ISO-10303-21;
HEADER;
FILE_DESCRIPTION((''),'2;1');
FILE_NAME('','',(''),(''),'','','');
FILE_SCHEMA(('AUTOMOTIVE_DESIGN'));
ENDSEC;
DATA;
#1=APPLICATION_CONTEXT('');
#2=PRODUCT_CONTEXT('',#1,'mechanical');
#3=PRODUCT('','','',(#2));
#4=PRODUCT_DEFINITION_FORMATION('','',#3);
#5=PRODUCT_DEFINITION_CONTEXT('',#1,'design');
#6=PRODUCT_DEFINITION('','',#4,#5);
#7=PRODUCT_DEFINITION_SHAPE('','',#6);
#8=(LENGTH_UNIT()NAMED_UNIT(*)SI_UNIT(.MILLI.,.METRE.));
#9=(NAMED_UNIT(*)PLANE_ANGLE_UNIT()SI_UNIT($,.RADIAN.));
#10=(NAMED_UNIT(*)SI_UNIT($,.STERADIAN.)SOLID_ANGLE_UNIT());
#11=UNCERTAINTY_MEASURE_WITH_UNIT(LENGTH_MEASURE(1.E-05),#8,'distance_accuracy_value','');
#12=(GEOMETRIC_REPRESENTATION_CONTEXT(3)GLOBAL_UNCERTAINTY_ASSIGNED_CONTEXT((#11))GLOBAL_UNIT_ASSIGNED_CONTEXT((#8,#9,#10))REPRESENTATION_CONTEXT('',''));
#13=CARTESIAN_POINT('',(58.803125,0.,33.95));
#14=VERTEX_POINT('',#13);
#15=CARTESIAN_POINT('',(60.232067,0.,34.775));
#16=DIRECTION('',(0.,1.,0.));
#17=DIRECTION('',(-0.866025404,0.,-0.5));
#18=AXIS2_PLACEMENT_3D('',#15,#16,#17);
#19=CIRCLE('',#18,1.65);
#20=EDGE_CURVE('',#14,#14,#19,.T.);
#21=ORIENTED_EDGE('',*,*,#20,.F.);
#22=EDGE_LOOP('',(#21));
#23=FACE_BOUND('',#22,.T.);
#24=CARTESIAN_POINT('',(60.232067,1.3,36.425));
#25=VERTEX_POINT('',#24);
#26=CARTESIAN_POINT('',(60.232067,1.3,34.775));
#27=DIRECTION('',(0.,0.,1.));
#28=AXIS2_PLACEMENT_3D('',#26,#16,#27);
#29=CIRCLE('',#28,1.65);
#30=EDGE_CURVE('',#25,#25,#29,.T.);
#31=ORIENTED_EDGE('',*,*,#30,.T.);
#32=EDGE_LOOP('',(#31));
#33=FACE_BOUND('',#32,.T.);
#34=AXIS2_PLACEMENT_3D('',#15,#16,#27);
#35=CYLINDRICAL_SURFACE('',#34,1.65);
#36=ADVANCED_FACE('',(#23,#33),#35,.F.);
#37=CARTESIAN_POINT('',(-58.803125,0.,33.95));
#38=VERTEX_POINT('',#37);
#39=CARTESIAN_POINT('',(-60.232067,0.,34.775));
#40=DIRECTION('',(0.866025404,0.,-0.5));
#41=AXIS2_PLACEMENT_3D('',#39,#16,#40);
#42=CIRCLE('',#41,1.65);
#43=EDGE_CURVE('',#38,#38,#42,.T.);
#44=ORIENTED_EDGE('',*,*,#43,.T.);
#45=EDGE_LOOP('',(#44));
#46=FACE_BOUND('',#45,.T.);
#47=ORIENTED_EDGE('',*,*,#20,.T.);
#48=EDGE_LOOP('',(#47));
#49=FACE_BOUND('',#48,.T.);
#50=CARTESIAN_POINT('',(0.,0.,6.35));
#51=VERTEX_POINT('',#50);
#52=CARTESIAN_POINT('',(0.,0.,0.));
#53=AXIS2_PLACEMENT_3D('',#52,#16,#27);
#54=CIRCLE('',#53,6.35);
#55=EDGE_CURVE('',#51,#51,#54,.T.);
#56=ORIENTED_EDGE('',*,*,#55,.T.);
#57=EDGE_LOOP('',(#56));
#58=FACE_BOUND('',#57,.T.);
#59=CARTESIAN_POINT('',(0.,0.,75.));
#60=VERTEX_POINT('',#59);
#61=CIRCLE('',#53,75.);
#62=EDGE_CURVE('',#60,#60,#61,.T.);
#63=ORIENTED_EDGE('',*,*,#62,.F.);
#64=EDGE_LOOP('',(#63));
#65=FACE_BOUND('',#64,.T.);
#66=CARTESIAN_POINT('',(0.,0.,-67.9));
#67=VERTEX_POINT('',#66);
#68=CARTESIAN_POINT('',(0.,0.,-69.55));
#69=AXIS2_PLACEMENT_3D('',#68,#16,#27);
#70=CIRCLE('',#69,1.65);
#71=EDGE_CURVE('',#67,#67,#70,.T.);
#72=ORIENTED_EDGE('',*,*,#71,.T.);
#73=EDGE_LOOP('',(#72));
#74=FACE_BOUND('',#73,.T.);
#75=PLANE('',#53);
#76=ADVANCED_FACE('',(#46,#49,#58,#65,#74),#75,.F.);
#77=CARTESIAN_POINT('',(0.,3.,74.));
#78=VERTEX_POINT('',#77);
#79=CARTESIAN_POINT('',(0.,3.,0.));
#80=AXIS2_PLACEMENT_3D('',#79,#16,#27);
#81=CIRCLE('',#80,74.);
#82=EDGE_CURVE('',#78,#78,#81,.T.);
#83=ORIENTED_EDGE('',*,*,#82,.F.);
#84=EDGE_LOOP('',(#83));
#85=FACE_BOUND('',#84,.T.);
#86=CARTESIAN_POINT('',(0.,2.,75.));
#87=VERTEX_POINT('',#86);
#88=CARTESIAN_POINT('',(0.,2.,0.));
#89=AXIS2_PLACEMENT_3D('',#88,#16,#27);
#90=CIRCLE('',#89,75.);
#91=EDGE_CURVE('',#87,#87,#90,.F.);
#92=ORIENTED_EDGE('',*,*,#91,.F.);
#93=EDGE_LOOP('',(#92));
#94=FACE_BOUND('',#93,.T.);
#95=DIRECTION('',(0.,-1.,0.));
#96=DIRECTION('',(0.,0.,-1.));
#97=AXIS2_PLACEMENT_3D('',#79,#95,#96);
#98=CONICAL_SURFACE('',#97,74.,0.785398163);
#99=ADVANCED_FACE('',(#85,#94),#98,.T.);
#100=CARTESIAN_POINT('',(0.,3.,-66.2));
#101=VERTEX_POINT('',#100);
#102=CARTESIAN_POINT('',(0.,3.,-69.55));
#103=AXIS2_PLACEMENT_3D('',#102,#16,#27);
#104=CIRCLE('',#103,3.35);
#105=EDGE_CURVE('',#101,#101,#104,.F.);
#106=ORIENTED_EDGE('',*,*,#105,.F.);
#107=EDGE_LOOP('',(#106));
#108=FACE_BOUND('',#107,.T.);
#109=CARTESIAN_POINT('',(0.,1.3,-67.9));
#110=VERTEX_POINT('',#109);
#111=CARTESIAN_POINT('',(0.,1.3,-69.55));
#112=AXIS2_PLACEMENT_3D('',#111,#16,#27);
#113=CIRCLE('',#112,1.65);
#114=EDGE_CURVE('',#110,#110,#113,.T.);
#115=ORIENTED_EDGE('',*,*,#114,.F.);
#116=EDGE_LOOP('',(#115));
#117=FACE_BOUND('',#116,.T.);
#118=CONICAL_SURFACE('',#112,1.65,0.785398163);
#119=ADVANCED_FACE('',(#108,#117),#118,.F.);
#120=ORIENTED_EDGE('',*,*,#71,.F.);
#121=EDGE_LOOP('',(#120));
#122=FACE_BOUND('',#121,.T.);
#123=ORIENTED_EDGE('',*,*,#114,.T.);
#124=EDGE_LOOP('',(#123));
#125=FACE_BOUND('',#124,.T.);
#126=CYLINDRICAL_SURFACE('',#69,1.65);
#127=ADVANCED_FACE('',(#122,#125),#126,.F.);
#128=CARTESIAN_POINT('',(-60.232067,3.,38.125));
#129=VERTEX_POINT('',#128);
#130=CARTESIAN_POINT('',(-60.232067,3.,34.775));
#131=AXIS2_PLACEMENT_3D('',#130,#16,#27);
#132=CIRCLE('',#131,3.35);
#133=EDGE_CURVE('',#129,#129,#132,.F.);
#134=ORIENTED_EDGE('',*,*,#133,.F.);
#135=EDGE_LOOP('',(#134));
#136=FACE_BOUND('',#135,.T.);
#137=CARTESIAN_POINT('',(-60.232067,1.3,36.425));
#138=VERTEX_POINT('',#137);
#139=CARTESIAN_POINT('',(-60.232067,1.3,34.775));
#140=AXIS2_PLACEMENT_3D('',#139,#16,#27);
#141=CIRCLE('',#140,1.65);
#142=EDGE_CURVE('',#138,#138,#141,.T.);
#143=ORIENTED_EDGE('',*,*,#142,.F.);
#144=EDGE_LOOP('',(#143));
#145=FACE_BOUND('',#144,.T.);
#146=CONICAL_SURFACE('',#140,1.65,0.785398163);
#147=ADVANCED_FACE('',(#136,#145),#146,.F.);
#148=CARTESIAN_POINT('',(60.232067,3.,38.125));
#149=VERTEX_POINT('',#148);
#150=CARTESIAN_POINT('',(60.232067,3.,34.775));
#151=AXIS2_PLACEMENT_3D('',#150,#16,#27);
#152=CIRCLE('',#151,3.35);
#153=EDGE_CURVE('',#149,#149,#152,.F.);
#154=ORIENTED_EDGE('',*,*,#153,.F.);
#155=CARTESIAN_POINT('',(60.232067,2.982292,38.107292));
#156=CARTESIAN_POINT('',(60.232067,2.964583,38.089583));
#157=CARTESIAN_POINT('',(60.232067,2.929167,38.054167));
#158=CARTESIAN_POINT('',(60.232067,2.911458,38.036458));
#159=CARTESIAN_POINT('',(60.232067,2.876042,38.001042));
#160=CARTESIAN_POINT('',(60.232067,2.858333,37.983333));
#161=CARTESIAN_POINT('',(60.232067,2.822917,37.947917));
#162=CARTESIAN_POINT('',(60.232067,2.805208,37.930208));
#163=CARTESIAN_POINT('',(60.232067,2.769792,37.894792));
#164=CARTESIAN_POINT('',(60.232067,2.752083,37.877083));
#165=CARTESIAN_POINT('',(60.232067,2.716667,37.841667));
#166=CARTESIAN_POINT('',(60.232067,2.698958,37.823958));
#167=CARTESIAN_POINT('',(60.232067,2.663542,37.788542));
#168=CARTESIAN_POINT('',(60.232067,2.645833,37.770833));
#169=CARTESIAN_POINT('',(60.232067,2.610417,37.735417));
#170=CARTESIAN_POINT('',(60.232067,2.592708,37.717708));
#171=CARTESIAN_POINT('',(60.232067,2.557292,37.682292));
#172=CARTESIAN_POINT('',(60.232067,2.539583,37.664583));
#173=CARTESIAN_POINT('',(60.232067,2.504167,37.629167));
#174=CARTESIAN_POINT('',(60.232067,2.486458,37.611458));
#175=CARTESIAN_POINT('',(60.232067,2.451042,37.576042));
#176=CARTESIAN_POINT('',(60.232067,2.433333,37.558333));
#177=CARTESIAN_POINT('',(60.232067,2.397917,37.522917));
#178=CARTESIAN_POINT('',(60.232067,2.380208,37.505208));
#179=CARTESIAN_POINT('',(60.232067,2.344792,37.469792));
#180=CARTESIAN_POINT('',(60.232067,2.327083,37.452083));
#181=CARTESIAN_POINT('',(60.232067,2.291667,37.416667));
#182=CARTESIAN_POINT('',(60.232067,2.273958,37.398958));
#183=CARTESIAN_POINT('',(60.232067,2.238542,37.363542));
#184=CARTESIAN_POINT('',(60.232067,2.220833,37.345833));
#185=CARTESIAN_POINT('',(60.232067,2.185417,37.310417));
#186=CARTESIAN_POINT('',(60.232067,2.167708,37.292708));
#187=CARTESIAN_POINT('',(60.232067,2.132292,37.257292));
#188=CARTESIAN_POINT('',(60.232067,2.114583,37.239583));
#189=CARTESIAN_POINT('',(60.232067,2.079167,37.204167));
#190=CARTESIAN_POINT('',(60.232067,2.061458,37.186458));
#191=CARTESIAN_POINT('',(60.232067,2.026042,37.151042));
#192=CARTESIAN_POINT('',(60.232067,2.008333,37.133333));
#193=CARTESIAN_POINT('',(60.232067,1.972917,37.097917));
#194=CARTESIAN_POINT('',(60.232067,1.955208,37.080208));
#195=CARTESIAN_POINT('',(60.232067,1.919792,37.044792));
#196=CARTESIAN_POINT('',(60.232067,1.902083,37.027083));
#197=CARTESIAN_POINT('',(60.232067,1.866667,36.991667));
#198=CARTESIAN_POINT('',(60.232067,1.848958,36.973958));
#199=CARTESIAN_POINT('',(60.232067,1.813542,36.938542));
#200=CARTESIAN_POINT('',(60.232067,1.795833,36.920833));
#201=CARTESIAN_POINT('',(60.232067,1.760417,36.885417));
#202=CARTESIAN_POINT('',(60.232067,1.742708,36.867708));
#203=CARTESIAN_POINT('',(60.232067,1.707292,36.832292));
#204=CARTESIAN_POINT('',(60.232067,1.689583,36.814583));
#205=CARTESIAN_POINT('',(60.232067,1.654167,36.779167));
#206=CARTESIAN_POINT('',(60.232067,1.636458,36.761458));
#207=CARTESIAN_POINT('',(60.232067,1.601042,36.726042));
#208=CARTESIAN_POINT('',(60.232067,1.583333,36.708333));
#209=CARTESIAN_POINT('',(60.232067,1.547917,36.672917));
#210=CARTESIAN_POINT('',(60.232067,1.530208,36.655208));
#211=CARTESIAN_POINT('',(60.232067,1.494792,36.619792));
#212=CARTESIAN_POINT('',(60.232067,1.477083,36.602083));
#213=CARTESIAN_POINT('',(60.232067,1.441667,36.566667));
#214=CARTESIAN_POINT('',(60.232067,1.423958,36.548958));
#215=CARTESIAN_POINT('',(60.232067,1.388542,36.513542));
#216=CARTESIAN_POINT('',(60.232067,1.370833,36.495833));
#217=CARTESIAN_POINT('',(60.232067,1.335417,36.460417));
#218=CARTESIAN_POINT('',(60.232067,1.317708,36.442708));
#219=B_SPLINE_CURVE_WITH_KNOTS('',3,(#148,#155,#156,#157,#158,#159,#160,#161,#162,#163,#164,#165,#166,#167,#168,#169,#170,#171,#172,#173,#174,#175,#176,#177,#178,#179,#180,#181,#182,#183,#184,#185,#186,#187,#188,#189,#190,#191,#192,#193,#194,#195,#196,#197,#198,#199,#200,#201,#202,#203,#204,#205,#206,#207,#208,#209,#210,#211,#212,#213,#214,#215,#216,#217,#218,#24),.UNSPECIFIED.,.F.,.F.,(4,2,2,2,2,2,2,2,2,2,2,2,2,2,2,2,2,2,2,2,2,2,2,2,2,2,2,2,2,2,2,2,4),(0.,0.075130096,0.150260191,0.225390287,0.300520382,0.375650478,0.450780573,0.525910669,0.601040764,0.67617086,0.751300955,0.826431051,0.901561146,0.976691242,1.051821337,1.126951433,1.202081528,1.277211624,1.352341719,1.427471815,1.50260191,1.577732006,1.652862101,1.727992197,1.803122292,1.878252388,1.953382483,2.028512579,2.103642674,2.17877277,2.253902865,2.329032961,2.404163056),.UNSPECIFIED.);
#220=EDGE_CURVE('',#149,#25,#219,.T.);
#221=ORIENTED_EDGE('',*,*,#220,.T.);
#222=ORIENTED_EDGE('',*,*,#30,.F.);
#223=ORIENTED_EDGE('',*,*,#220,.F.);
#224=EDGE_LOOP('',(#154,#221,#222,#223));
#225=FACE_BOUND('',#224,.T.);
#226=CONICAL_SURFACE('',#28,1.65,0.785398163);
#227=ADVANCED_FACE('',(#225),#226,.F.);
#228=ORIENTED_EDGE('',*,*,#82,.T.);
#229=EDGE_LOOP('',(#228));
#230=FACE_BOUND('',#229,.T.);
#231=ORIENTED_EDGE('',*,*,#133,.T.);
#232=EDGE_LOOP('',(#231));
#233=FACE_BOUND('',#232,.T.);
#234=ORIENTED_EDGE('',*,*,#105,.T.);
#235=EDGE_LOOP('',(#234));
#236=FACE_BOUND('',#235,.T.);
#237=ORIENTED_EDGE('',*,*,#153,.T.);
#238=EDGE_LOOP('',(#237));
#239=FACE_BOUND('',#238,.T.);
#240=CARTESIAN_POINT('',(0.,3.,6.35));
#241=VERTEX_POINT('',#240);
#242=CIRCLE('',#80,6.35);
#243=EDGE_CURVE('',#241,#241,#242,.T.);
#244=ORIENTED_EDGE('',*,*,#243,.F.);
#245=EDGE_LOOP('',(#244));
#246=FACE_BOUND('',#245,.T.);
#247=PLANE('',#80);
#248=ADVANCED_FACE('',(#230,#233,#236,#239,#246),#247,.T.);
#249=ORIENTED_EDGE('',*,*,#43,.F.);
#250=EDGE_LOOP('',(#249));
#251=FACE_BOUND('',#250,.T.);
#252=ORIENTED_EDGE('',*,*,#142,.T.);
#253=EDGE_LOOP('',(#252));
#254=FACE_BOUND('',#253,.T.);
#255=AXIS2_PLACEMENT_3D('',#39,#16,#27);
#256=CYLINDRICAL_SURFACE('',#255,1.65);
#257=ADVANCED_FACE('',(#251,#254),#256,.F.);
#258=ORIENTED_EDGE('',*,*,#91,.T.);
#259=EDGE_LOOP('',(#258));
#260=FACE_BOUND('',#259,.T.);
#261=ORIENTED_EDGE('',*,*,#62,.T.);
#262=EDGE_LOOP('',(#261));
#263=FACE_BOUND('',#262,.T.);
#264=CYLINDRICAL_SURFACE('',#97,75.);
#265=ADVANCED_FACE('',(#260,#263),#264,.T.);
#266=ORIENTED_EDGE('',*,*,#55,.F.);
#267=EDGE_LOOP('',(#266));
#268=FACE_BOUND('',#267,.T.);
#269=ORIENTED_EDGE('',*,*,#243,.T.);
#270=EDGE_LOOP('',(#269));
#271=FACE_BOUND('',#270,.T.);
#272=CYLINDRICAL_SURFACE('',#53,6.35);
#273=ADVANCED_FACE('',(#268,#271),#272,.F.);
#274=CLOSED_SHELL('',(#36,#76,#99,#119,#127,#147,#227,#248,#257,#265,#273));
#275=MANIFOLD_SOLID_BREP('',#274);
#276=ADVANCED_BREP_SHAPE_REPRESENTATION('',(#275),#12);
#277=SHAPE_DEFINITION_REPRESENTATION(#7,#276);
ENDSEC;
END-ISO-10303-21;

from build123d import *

# Parameters (mm, degrees)
SKETCH_1_R                           = 75
EXTRUDE_1_DEPTH                      = 3
SKETCH_2_R                           = 1.65
CUT_EXTRUDE_1_DEPTH                  = 107.108435103
CHAMFER_1_SIZE                       = 1.7
PATTERN_CIRCULAR_1_COUNT             = 3
CHAMFER_1_OF_PATTERN_CIRCULAR_1_SIZE = 1.7
SKETCH_3_R                           = 6.35
CUT_EXTRUDE_2_DEPTH                  = 107.108435103
CHAMFER_2_SIZE                       = 1


with BuildPart() as part:
    # Эскиз1 → Бобышка-Вытянуть1 (new body)
    with BuildSketch(Plane(origin=(0, 0, 0), x_dir=(1, 0, 0), z_dir=(0, 1, 0))):
        with Locations(Location((0, 0, 0), (0, 0, 270))):
            Circle(SKETCH_1_R)
    extrude(amount=EXTRUDE_1_DEPTH)

    # Эскиз2 → Вырез-Вытянуть1 (cut, through all)
    with BuildSketch(Plane(origin=(0, 3, 0), x_dir=(1, 0, 0), z_dir=(0, 1, 0))):
        with Locations(Location((0, 69.55, 0), (0, 0, 270))):
            Circle(SKETCH_2_R)
    cut_extrude_1 = extrude(amount=-CUT_EXTRUDE_1_DEPTH, mode=Mode.SUBTRACT)

    # Фаска1
    chamfer_1_edges = [part.edges().sort_by_distance(p)[0] for p in [
        (0, 3, -71.2),
    ]]
    chamfer(chamfer_1_edges, length=CHAMFER_1_SIZE)

    # Круговой массив1: Вырез-Вытянуть1 ×3 about axis
    pattern_circular_1_axis = Axis((0, 0, 0), (0, 1, 0))
    for i in range(1, PATTERN_CIRCULAR_1_COUNT):
        add(cut_extrude_1.rotate(pattern_circular_1_axis, i * 360 / PATTERN_CIRCULAR_1_COUNT), mode=Mode.SUBTRACT)

    # Фаска1 of Круговой массив1
    chamfer_1_of_pattern_circular_1_edges = [part.edges().sort_by_distance(p)[0] for p in [
        (-61.661008749, 3, 35.6),
        (61.661008749, 3, 35.6),
    ]]
    chamfer(chamfer_1_of_pattern_circular_1_edges, length=CHAMFER_1_OF_PATTERN_CIRCULAR_1_SIZE)

    # Эскиз3 → Вырез-Вытянуть2 (cut, through all)
    with BuildSketch(Plane(origin=(0, 3, 0), x_dir=(1, 0, 0), z_dir=(0, 1, 0))):
        with Locations(Location((0, 0, 0), (0, 0, 270))):
            Circle(SKETCH_3_R)
    extrude(amount=-CUT_EXTRUDE_2_DEPTH, mode=Mode.SUBTRACT)

    # Фаска2
    chamfer_2_edges = [part.edges().sort_by_distance(p)[0] for p in [
        (0, 3, -75),
    ]]
    chamfer(chamfer_2_edges, length=CHAMFER_2_SIZE)


solid = part.part
